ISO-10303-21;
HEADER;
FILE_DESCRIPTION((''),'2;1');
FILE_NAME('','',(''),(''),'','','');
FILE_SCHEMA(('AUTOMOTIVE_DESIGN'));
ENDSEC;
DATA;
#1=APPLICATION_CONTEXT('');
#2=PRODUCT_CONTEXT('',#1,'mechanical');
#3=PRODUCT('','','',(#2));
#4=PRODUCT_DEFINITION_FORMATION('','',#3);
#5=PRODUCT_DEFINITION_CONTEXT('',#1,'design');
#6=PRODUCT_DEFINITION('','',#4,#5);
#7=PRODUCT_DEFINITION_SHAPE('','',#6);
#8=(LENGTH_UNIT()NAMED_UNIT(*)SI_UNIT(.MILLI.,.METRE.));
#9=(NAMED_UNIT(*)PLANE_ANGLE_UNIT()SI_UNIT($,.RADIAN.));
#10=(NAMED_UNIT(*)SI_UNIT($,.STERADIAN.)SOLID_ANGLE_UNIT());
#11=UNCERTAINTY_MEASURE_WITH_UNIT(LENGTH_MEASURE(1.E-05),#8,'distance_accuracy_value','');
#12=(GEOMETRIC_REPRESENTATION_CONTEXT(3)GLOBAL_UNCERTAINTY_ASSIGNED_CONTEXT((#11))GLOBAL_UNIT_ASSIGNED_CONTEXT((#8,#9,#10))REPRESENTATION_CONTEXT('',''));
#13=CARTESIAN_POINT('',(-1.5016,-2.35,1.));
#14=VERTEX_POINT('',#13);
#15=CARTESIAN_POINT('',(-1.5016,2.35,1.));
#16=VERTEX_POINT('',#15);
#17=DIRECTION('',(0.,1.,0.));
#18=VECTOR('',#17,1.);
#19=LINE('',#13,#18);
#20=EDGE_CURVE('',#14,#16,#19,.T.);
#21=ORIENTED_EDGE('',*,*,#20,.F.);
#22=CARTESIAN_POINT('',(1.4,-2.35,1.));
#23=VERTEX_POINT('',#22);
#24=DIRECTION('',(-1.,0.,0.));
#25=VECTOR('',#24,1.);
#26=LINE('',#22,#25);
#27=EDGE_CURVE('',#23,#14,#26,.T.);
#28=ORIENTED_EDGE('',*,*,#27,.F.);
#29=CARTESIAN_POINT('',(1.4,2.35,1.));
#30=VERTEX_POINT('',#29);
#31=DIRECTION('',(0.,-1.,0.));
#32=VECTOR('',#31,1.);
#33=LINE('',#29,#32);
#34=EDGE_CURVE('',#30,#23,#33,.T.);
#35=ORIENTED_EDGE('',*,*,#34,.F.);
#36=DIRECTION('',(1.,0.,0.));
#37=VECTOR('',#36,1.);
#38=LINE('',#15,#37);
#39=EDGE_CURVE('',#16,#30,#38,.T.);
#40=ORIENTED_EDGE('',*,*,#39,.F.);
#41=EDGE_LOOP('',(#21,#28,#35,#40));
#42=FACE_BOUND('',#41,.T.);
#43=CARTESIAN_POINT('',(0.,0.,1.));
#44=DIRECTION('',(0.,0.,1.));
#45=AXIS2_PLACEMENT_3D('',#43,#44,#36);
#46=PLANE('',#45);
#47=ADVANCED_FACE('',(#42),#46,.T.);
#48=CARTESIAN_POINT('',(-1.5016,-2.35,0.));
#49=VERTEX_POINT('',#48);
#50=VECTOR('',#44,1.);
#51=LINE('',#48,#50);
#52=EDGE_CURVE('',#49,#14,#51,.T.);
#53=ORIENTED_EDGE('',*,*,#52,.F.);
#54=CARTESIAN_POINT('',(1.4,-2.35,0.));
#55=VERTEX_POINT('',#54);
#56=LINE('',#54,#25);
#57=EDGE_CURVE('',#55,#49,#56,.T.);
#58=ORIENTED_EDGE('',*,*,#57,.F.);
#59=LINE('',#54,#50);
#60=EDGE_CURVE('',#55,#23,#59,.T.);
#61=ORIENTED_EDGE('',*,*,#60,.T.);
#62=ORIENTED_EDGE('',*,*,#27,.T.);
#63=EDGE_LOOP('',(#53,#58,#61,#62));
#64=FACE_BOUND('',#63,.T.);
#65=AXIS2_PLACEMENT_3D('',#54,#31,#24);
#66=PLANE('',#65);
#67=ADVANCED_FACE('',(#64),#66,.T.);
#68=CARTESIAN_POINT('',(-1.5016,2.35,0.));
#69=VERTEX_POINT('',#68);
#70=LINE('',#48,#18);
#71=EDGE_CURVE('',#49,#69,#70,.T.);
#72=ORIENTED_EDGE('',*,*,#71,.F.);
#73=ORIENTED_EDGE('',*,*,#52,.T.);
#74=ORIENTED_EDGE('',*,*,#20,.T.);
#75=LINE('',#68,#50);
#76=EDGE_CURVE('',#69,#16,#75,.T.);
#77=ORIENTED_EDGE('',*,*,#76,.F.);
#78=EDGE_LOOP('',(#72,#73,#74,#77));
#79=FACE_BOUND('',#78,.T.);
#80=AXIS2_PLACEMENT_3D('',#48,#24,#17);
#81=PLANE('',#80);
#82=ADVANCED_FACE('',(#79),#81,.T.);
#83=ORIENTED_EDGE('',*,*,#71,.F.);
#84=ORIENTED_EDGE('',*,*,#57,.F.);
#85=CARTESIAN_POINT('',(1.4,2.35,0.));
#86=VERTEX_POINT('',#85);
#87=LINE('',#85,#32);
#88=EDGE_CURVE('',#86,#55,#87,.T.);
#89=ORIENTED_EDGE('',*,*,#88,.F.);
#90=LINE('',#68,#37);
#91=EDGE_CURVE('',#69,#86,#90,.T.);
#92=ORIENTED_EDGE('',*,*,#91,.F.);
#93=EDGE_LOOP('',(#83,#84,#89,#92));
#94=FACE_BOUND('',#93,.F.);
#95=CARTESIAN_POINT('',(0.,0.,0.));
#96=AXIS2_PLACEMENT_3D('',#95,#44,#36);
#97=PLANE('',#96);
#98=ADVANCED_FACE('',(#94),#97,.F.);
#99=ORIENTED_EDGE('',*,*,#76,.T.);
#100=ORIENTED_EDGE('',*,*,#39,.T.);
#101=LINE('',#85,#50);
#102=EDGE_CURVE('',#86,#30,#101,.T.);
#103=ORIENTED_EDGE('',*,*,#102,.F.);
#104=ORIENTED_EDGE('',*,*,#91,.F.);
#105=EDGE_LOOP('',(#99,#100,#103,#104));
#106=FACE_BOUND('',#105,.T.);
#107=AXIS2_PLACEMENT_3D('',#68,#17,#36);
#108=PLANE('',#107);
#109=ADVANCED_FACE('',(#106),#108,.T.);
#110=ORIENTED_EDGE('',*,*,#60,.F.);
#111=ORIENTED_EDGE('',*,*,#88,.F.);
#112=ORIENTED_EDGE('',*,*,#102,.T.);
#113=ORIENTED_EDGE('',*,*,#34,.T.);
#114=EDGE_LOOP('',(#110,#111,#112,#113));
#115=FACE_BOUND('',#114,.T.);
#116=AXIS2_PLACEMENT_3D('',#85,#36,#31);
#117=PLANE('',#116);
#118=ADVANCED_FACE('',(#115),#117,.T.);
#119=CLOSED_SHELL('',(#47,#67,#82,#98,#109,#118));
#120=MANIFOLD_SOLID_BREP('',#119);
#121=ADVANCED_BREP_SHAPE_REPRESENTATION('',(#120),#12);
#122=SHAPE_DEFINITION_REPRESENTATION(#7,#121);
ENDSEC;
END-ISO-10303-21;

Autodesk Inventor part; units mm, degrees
ref_plane "YZ Plane" through (0, 0, 0) normal (1, 0, 0) x (0, 1, 0)
ref_plane "XZ Plane" through (0, 0, 0) normal (0, 1, 0) x (-1, 0, 0)
ref_plane "XY Plane" through (0, 0, 0) normal (0, 0, 1) x (1, 0, 0)
sketch "P-LCC-2, LED_5V_0_P-LCC-2_38" plane through (0, 0, 0) normal (0, 0, 1) x (1, 0, 0)
  line L0 (-1.5016, 2.35) -> (1.4, 2.35)
  line L1 (1.4, 2.35) -> (1.4, -2.35)
  line L2 (1.4, -2.35) -> (-1.5016, -2.35)
  line L3 (-1.5016, -2.35) -> (-1.5016, 2.35)
extrude "Extrusion1" add sketch "P-LCC-2, LED_5V_0_P-LCC-2_38" along normal blind 1
properties part number "LED_5V_0_P-LCC-2"
